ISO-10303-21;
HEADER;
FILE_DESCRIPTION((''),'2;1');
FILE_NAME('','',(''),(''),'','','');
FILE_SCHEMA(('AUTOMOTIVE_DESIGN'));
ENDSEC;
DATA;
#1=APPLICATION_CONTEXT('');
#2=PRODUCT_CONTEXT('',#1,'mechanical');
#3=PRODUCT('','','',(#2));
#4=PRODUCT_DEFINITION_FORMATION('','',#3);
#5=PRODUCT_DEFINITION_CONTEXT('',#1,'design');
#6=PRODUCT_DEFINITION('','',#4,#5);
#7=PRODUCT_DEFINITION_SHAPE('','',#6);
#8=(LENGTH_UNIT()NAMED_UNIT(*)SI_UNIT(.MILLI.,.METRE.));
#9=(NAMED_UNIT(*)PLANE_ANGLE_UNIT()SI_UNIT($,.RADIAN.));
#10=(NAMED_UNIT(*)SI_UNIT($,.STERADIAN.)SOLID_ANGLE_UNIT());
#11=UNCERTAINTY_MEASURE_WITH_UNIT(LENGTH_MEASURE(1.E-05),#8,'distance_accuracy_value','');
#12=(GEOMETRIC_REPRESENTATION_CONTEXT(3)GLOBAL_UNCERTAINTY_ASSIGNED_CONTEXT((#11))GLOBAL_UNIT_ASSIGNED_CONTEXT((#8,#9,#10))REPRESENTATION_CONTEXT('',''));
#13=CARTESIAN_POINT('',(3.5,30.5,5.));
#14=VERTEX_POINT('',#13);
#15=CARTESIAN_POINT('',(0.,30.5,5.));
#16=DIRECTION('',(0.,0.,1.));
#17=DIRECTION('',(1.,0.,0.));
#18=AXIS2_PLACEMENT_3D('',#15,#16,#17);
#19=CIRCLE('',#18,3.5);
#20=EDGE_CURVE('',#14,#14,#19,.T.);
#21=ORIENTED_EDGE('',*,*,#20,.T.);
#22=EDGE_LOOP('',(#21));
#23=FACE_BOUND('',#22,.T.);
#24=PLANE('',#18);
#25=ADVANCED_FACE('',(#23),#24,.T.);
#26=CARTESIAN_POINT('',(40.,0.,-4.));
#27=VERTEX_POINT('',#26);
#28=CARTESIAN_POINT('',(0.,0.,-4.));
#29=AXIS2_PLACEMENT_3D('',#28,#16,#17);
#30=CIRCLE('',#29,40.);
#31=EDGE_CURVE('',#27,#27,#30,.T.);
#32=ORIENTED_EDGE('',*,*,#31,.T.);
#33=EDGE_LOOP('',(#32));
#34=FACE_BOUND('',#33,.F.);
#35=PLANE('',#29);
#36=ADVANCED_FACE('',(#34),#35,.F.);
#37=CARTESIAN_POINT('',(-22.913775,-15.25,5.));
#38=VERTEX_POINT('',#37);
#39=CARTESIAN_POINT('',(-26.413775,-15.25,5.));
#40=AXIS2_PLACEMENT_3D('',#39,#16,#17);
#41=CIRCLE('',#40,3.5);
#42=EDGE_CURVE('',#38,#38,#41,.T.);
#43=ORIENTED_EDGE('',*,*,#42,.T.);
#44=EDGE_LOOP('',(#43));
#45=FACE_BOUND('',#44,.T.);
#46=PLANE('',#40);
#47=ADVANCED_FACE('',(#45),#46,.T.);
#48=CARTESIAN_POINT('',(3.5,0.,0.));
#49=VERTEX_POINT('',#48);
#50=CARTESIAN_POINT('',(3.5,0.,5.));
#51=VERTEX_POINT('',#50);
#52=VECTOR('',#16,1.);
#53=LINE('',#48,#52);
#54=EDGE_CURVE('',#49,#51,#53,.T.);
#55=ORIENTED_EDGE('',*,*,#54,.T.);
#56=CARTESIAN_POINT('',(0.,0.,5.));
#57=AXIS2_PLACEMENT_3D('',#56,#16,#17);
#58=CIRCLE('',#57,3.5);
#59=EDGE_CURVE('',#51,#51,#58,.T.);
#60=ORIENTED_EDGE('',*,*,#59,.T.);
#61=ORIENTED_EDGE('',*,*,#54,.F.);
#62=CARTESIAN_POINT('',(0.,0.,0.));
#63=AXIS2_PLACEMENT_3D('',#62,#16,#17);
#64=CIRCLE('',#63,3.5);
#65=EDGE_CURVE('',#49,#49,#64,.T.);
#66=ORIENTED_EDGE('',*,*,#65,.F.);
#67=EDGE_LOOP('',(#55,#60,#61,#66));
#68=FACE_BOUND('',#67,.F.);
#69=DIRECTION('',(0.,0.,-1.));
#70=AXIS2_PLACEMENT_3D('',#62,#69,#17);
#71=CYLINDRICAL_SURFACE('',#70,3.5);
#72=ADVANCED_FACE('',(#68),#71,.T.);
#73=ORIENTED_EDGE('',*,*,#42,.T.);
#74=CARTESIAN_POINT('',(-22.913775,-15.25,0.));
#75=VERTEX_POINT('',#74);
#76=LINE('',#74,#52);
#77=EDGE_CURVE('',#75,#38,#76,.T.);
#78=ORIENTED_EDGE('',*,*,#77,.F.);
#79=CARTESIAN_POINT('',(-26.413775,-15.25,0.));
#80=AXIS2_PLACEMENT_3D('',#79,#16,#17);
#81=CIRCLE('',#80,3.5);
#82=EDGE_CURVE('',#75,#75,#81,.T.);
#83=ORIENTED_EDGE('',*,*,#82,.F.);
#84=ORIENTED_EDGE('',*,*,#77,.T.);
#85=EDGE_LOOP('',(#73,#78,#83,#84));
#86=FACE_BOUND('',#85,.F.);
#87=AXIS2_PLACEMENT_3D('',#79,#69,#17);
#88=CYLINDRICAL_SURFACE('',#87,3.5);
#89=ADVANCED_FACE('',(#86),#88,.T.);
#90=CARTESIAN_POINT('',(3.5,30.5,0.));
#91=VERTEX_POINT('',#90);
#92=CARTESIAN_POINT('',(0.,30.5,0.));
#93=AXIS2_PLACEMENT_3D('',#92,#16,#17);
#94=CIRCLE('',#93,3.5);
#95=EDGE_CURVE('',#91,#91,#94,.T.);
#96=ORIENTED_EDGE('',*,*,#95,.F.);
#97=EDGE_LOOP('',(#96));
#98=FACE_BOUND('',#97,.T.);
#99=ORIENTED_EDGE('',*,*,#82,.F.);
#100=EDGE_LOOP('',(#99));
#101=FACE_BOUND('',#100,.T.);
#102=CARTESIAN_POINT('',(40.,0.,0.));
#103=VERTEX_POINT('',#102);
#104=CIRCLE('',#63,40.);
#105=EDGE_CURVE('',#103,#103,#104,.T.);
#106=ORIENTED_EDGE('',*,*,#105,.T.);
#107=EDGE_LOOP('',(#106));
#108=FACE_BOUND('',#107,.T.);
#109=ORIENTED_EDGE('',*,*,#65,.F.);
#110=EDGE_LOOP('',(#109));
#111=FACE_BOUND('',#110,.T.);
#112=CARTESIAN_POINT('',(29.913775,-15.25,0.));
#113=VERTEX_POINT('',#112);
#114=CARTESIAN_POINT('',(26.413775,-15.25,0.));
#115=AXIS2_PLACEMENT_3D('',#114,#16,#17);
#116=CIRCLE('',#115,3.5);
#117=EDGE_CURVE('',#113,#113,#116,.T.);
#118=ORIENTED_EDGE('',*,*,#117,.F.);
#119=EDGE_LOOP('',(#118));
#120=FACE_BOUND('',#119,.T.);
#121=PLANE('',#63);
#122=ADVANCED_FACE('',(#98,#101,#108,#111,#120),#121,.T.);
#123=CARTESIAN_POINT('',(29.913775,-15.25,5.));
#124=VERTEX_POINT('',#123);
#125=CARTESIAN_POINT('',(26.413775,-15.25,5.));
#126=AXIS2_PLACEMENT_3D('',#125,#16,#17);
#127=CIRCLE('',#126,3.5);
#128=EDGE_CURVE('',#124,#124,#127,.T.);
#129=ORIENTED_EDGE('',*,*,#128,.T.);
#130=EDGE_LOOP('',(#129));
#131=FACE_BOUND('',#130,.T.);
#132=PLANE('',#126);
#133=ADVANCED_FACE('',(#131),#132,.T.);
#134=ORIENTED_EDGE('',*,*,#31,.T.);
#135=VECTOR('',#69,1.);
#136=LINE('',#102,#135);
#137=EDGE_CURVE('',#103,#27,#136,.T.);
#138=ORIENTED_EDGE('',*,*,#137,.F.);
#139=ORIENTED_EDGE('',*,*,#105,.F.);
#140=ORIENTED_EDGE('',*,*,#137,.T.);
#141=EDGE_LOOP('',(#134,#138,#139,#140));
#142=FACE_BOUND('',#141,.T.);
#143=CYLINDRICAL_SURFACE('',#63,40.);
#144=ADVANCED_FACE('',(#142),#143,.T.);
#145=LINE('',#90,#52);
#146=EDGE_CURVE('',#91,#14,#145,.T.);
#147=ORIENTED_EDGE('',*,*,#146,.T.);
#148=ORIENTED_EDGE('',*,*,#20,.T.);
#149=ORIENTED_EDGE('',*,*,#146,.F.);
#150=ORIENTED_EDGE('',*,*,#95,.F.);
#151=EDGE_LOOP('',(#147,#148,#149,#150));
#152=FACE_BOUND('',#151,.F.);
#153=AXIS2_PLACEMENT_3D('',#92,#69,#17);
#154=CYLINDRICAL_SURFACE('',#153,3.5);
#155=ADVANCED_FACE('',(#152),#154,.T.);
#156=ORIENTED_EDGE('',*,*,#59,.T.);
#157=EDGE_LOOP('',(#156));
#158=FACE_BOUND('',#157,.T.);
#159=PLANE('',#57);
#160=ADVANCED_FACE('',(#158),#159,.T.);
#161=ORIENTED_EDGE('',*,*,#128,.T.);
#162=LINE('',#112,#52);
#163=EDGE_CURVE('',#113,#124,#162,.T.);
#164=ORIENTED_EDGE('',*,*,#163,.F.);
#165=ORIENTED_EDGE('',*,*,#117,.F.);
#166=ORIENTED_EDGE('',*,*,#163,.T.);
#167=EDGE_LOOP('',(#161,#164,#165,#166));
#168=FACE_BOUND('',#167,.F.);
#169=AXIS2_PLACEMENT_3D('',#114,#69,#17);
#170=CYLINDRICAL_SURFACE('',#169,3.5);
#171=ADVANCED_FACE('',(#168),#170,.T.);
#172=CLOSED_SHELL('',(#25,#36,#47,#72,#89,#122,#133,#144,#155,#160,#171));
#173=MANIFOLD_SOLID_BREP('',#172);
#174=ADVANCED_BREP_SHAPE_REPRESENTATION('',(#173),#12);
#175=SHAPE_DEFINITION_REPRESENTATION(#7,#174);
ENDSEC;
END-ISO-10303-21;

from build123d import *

# Parameters (mm, degrees)
F0_R     = 40
F1_DEPTH = 4
F2_R     = 3.5
F3_DEPTH = 5


with BuildPart() as f1:
    # F0 (on Top) → F1 (new body)
    with BuildSketch(Plane.XY):
        Circle(F0_R)
    extrude(amount=-F1_DEPTH)

    # F2 (on face) → F3 (join)
    with BuildSketch(Plane.XY):
        Circle(F2_R)
        with Locations((0, 30.5)):
            Circle(F2_R)
        with Locations((-26.413775, -15.25)):
            Circle(F2_R)
        with Locations((26.413775, -15.25)):
            Circle(F2_R)
    extrude(amount=F3_DEPTH)


solid = f1.part
